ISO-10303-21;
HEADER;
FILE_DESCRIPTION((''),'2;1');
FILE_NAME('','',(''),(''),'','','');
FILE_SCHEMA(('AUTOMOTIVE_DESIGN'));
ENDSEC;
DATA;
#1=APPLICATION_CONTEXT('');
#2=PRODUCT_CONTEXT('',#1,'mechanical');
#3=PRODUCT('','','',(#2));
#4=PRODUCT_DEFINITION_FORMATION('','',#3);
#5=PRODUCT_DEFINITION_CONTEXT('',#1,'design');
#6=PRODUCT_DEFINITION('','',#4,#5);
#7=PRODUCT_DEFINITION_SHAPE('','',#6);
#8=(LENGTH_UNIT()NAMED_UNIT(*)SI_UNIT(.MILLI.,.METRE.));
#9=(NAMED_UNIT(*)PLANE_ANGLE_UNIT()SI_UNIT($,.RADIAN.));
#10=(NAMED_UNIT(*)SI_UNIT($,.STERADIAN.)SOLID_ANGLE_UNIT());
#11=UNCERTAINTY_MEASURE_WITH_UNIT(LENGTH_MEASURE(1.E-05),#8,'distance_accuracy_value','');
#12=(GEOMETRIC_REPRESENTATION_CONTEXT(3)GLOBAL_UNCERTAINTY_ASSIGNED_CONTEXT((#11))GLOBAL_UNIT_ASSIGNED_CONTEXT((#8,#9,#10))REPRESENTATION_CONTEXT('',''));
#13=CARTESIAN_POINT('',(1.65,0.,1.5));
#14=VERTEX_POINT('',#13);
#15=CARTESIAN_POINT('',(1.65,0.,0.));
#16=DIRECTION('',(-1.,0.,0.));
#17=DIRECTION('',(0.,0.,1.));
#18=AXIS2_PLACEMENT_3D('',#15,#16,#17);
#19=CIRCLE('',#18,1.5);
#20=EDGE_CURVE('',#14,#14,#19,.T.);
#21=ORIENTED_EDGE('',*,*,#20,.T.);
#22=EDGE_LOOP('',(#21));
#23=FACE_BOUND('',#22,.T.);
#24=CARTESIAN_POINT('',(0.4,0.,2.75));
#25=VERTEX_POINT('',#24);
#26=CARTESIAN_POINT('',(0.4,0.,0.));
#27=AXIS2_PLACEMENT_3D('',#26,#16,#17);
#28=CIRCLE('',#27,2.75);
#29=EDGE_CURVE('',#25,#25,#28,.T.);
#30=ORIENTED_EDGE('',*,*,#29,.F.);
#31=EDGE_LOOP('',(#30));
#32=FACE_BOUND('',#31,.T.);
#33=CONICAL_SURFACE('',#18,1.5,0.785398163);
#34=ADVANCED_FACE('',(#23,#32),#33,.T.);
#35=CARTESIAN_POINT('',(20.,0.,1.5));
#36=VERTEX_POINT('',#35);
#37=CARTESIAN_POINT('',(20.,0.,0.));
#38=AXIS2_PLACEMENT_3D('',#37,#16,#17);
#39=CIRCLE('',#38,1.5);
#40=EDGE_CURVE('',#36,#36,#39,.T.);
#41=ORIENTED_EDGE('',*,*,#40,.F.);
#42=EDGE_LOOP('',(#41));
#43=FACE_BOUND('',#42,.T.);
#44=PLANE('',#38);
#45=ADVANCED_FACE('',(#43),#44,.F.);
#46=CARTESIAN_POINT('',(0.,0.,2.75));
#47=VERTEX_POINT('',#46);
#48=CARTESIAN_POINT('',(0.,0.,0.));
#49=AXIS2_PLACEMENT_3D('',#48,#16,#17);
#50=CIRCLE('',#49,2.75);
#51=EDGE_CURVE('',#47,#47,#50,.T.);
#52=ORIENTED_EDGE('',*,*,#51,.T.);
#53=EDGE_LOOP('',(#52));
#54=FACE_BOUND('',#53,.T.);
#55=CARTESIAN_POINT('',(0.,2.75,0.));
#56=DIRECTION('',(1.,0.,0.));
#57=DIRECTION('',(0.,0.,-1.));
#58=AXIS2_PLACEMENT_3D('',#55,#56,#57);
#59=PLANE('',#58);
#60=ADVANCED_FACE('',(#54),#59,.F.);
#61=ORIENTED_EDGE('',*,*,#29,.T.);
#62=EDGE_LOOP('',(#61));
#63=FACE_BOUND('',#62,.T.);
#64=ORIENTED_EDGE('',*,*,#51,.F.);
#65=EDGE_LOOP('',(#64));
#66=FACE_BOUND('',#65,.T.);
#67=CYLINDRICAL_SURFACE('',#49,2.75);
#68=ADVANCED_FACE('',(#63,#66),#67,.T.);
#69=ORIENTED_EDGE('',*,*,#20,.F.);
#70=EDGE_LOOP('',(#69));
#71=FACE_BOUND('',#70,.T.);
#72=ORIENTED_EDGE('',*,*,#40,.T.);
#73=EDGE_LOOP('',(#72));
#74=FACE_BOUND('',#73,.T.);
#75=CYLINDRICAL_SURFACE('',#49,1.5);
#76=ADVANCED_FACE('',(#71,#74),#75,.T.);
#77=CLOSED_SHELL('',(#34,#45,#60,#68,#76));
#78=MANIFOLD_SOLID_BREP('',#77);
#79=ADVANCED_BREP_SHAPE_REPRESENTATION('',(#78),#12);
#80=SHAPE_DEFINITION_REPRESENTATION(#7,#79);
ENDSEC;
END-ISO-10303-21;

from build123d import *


with BuildPart() as part:
    # Esquisse1 → Révolution1 (revolve)
    with BuildSketch(Plane.XY, mode=Mode.PRIVATE) as r_volution1_sk:
        Polygon((0, 0), (20, 0), (20, 1.5), (1.65, 1.5), (0.4, 2.75), (0, 2.75), align=None)
    revolve(r_volution1_sk.sketch.rotate(Axis((0, 0, 0), (1, 0, 0)), 90), axis=Axis((0, 0, 0), (1, 0, 0)))


solid = part.part
